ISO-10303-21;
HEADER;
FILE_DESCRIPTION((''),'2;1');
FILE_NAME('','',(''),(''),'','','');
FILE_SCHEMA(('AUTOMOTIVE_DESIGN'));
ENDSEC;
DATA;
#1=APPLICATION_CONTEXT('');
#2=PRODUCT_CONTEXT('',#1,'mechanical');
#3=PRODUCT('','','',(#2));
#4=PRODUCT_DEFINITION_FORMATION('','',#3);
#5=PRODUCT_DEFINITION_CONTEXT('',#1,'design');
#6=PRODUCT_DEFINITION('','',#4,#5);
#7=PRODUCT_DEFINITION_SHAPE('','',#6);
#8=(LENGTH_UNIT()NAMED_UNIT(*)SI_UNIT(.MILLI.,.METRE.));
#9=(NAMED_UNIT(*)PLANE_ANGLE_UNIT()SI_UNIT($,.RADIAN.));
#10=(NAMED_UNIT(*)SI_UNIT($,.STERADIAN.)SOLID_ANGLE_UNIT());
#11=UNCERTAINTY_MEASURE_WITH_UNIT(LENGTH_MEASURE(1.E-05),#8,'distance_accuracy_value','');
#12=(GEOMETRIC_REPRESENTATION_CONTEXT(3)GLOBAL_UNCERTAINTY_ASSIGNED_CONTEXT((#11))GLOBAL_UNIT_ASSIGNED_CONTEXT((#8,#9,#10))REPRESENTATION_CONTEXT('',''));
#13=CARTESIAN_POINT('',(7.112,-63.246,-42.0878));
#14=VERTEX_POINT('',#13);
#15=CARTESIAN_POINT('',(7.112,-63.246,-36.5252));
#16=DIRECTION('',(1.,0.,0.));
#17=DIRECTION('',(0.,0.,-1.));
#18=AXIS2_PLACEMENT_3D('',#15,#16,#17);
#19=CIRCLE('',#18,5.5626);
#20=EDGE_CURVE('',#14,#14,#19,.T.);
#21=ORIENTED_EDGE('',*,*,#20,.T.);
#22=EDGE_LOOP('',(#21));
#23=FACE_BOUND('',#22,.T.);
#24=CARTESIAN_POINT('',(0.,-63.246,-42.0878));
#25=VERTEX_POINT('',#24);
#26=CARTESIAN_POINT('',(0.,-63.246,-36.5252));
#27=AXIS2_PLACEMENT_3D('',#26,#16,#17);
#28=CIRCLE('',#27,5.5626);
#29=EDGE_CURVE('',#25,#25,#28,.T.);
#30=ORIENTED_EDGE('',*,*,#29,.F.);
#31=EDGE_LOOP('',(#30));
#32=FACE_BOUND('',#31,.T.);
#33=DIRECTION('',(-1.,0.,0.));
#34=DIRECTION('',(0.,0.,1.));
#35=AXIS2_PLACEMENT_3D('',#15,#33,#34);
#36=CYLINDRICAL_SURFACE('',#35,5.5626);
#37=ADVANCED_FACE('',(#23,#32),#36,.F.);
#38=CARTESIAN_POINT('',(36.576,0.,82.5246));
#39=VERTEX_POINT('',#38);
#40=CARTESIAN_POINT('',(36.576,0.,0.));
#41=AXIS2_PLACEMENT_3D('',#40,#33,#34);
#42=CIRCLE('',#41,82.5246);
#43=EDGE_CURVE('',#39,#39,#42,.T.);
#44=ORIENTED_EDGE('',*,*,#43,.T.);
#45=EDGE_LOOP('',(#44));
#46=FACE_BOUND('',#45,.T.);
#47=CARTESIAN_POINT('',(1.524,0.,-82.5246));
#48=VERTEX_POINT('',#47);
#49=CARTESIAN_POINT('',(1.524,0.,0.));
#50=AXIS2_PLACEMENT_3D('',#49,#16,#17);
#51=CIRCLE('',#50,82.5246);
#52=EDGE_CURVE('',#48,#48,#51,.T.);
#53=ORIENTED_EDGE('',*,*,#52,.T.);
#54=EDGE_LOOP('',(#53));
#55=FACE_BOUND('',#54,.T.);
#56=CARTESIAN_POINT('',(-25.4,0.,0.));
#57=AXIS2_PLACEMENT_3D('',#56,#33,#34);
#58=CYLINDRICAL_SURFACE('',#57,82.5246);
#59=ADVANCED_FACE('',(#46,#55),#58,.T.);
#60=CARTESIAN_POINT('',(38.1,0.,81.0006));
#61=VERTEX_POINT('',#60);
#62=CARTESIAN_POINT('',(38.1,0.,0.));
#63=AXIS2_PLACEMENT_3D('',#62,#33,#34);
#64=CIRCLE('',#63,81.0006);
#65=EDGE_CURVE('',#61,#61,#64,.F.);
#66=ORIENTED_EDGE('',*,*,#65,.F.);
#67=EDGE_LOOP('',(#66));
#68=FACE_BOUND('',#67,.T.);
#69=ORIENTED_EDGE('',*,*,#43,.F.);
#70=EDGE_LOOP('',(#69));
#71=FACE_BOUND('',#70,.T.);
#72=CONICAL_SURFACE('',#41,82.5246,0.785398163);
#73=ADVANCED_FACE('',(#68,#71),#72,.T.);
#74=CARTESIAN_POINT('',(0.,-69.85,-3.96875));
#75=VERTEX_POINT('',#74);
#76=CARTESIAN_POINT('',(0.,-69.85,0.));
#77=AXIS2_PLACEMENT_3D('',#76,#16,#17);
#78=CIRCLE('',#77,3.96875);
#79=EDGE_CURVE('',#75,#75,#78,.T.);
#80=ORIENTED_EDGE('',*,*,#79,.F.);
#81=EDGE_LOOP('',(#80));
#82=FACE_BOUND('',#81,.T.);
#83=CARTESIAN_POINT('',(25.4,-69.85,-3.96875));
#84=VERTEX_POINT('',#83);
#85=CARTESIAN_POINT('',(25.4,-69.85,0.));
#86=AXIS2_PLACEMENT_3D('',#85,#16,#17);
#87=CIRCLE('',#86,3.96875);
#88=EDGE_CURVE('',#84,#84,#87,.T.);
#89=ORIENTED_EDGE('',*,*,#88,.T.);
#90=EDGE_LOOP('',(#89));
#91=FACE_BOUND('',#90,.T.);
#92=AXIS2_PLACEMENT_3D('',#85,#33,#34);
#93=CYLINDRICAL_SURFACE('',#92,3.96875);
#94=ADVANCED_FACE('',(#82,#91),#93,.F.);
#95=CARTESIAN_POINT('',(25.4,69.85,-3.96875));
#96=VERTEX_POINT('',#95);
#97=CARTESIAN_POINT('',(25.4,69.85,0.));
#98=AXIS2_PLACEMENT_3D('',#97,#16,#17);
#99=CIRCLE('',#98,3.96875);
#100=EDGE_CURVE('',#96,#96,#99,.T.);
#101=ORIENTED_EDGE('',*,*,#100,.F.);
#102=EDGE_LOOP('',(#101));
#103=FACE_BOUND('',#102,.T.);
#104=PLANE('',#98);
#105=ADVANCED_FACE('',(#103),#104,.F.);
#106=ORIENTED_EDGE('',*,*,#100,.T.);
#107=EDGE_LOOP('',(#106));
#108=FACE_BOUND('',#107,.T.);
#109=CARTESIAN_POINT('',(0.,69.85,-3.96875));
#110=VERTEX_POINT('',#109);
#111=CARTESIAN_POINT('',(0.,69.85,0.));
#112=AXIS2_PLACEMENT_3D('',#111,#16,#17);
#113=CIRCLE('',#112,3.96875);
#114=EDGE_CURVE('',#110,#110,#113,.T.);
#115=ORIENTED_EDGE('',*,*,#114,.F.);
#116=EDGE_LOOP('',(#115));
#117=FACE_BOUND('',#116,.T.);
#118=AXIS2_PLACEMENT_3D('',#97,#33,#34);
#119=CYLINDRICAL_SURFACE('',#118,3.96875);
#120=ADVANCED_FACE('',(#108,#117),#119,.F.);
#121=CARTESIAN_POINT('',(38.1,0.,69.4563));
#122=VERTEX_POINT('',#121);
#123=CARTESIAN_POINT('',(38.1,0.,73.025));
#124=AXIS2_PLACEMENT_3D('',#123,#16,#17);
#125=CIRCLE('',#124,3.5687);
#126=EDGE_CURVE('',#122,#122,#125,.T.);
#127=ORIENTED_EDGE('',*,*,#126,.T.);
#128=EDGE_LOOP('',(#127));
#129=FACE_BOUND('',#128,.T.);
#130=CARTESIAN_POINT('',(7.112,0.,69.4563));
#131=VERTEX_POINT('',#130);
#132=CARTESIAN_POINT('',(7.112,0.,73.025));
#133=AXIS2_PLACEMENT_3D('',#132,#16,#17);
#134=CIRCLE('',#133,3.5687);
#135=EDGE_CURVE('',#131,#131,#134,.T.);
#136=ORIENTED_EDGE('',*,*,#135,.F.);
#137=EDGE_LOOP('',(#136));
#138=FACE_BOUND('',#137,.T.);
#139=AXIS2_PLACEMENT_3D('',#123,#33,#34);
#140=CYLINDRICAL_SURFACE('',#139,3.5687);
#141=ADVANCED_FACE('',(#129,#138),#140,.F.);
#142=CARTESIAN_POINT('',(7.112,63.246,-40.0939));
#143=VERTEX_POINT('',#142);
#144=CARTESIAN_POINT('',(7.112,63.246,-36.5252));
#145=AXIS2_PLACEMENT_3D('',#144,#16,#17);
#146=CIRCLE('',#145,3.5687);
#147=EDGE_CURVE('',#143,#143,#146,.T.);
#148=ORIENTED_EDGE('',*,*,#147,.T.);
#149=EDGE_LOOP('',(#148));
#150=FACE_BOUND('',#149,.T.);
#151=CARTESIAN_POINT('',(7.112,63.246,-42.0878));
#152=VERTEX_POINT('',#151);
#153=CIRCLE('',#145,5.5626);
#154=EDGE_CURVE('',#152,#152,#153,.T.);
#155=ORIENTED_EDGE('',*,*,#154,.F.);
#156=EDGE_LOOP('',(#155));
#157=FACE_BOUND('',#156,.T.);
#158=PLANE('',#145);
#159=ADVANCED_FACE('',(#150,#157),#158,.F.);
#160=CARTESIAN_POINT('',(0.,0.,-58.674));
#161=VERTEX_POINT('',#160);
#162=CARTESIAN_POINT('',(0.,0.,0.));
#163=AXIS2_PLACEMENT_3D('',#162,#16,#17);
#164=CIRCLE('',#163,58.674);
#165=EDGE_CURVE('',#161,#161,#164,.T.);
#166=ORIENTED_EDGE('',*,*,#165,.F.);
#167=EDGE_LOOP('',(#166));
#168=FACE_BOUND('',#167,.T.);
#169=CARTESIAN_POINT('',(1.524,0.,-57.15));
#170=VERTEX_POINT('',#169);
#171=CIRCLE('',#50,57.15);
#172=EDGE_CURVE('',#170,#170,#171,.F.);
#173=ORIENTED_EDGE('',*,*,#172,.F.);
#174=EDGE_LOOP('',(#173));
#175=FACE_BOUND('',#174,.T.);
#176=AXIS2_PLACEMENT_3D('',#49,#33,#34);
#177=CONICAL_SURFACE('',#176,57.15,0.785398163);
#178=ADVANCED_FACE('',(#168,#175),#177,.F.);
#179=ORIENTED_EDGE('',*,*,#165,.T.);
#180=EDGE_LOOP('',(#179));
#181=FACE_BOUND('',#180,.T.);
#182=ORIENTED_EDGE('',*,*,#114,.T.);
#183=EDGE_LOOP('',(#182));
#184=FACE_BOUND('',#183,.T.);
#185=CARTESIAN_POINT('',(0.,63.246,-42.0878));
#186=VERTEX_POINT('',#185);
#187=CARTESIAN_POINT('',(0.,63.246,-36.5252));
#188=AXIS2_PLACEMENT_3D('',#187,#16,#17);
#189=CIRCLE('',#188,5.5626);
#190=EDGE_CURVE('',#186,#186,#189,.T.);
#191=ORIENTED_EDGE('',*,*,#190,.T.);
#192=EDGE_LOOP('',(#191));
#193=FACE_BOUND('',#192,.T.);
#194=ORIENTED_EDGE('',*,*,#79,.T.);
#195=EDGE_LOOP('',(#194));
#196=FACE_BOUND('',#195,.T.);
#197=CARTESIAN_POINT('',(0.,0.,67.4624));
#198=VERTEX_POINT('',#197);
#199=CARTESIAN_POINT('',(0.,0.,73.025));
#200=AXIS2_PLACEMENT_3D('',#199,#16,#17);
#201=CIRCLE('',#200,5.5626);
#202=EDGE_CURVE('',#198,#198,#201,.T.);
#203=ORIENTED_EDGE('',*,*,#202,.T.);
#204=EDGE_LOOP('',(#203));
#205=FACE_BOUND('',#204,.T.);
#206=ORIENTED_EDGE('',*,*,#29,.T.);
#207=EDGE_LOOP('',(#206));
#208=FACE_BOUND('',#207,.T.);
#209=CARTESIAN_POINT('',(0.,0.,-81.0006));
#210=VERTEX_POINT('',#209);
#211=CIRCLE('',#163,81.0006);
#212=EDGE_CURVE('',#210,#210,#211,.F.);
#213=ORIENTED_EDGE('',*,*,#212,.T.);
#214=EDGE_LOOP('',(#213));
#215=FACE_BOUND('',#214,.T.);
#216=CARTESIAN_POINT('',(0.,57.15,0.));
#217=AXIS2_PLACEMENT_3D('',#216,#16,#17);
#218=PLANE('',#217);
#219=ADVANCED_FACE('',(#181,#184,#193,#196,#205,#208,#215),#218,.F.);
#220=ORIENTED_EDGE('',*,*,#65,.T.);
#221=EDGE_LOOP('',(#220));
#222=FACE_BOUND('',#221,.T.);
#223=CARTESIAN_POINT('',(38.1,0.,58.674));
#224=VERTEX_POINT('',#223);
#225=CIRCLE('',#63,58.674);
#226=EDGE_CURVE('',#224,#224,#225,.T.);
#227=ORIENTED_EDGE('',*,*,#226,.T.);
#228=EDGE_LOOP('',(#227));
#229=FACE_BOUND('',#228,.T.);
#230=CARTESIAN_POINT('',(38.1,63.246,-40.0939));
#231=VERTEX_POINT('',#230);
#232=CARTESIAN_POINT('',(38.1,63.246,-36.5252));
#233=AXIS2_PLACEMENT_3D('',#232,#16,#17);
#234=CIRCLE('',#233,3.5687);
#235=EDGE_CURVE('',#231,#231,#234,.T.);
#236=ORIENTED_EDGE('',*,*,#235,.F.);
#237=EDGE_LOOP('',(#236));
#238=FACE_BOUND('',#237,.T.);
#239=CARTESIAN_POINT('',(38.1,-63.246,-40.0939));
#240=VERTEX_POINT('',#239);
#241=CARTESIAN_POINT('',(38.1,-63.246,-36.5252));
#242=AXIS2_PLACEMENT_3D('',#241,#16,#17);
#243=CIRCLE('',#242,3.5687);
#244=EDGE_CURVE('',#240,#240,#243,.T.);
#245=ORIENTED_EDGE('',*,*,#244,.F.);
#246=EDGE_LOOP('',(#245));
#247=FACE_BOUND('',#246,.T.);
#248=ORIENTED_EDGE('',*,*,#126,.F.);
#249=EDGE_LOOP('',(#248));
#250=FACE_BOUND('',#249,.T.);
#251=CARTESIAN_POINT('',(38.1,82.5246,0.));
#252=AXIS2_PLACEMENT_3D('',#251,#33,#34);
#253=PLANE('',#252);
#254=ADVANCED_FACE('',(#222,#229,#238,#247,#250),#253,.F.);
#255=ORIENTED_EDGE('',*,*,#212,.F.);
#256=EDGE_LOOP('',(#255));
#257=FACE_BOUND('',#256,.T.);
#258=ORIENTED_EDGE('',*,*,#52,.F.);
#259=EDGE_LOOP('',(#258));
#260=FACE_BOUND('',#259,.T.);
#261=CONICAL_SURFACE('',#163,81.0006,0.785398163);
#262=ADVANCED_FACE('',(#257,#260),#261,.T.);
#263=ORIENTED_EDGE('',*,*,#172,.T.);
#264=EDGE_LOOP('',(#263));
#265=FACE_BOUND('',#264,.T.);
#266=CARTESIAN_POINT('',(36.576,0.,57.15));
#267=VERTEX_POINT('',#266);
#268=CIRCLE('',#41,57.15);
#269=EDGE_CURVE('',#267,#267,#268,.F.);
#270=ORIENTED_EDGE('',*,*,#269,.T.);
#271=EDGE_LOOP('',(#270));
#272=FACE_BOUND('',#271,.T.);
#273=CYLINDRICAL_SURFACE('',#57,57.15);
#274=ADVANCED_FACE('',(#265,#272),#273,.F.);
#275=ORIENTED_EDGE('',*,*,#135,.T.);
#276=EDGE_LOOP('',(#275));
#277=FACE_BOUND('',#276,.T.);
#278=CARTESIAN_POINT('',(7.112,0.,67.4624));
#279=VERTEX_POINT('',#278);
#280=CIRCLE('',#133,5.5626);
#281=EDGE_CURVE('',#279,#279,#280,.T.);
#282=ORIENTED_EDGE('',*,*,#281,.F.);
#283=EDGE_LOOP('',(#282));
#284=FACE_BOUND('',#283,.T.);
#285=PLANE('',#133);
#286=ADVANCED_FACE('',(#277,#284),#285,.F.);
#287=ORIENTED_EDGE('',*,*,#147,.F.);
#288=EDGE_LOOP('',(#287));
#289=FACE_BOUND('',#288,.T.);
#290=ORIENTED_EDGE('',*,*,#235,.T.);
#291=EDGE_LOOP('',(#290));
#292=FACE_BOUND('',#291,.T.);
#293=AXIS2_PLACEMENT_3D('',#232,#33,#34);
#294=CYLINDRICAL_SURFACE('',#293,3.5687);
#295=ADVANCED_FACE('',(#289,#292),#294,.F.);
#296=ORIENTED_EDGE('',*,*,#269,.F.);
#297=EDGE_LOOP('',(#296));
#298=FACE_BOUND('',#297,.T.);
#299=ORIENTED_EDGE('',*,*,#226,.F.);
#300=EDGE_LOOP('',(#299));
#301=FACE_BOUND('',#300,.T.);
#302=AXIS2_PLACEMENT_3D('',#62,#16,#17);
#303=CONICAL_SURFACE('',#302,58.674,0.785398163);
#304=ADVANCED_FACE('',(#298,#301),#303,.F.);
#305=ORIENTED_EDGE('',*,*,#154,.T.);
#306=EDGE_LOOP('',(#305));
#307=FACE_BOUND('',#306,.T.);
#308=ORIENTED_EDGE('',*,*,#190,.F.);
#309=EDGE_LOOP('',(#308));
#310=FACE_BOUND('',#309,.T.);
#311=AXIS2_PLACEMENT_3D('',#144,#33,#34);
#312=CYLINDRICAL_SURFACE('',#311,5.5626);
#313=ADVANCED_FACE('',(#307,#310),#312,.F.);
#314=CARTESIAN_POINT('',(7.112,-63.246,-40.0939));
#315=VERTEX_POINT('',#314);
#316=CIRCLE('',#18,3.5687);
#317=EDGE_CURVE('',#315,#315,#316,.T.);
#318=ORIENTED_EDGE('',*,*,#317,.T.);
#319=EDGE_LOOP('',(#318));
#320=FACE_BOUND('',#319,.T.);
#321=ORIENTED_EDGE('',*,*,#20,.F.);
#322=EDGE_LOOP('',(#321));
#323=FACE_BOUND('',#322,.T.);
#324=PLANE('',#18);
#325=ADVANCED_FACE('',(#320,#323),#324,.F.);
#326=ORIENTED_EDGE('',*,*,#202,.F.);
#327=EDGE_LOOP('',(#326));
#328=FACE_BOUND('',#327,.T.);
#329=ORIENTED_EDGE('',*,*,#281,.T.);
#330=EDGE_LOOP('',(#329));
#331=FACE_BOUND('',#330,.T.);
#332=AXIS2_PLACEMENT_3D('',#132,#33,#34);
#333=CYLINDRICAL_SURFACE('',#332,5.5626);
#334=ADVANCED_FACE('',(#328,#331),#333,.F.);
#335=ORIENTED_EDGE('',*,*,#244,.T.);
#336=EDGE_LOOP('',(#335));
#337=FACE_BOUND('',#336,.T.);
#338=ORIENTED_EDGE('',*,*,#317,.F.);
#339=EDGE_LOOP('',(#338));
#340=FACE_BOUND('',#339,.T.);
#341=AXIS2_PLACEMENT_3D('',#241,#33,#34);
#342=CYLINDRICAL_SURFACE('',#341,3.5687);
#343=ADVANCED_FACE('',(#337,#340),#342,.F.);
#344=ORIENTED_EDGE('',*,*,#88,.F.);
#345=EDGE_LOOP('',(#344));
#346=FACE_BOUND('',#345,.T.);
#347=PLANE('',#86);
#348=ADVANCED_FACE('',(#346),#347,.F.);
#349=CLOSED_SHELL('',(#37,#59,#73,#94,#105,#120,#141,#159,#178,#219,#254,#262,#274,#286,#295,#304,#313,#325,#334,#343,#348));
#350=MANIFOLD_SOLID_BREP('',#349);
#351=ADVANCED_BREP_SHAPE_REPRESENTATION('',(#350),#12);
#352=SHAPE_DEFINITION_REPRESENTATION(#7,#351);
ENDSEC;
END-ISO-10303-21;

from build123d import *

# Parameters (mm, degrees)
SKETCH1_W           = 25.3746
SKETCH1_H           = 38.1
CHAMFER1_SIZE       = 1.524
SKETCH2_R           = 3.5687
CUT_EXTRUDE2_DEPTH  = 38.1
SKETCH3_R           = 5.5626
CUT_EXTRUDE4_DEPTH  = 7.112
SKETCH4_R           = 3.5687
CUT_EXTRUDE6_DEPTH  = 38.1
SKETCH5_R           = 5.5626
CUT_EXTRUDE8_DEPTH  = 7.112
SKETCH6_R           = 3.5687
CUT_EXTRUDE10_DEPTH = 38.1
SKETCH7_R           = 5.5626
CUT_EXTRUDE12_DEPTH = 7.112
SKETCH8_R           = 3.96875
CUT_EXTRUDE14_DEPTH = 25.4
SKETCH9_R           = 3.96875
CUT_EXTRUDE16_DEPTH = 25.4


with BuildPart() as part:
    # Sketch1 → Revolve1 (revolve)
    with BuildSketch(Plane(origin=(0, 0, 0), x_dir=(0, 1, 0), z_dir=(0, 0, 1))):
        with Locations((69.8373, -19.05)):
            Rectangle(SKETCH1_W, SKETCH1_H)
    revolve(axis=Axis((-25.4, 0, 0), (1, 0, 0)))

    # Chamfer1
    chamfer1_edges = [part.edges().sort_by_distance(p)[0] for p in [
        (38.1, -57.15, 0),
        (0, -57.15, 0),
        (38.1, -82.5246, 0),
        (0, -82.5246, 0),
    ]]
    chamfer(chamfer1_edges, length=CHAMFER1_SIZE)

    # Sketch2 → Cut-Extrude2 (cut)
    with BuildSketch(Plane.YZ):
        with Locations((0, 73.025)):
            Circle(SKETCH2_R)
    extrude(amount=CUT_EXTRUDE2_DEPTH, mode=Mode.SUBTRACT)

    # Sketch3 → Cut-Extrude4 (cut)
    with BuildSketch(Plane.YZ):
        with Locations((0, 73.025)):
            Circle(SKETCH3_R)
    extrude(amount=CUT_EXTRUDE4_DEPTH, mode=Mode.SUBTRACT)

    # Sketch4 → Cut-Extrude6 (cut)
    with BuildSketch(Plane.YZ):
        with Locations((-63.246, -36.5252)):
            Circle(SKETCH4_R)
    extrude(amount=CUT_EXTRUDE6_DEPTH, mode=Mode.SUBTRACT)

    # Sketch5 → Cut-Extrude8 (cut)
    with BuildSketch(Plane.YZ):
        with Locations((-63.246, -36.5252)):
            Circle(SKETCH5_R)
    extrude(amount=CUT_EXTRUDE8_DEPTH, mode=Mode.SUBTRACT)

    # Sketch6 → Cut-Extrude10 (cut)
    with BuildSketch(Plane.YZ):
        with Locations((63.246, -36.5252)):
            Circle(SKETCH6_R)
    extrude(amount=CUT_EXTRUDE10_DEPTH, mode=Mode.SUBTRACT)

    # Sketch7 → Cut-Extrude12 (cut)
    with BuildSketch(Plane.YZ):
        with Locations((63.246, -36.5252)):
            Circle(SKETCH7_R)
    extrude(amount=CUT_EXTRUDE12_DEPTH, mode=Mode.SUBTRACT)

    # Sketch8 → Cut-Extrude14 (cut)
    with BuildSketch(Plane.YZ):
        with Locations((-69.85, 0)):
            Circle(SKETCH8_R)
    extrude(amount=CUT_EXTRUDE14_DEPTH, mode=Mode.SUBTRACT)

    # Sketch9 → Cut-Extrude16 (cut)
    with BuildSketch(Plane.YZ):
        with Locations((69.85, 0)):
            Circle(SKETCH9_R)
    extrude(amount=CUT_EXTRUDE16_DEPTH, mode=Mode.SUBTRACT)


solid = part.part
